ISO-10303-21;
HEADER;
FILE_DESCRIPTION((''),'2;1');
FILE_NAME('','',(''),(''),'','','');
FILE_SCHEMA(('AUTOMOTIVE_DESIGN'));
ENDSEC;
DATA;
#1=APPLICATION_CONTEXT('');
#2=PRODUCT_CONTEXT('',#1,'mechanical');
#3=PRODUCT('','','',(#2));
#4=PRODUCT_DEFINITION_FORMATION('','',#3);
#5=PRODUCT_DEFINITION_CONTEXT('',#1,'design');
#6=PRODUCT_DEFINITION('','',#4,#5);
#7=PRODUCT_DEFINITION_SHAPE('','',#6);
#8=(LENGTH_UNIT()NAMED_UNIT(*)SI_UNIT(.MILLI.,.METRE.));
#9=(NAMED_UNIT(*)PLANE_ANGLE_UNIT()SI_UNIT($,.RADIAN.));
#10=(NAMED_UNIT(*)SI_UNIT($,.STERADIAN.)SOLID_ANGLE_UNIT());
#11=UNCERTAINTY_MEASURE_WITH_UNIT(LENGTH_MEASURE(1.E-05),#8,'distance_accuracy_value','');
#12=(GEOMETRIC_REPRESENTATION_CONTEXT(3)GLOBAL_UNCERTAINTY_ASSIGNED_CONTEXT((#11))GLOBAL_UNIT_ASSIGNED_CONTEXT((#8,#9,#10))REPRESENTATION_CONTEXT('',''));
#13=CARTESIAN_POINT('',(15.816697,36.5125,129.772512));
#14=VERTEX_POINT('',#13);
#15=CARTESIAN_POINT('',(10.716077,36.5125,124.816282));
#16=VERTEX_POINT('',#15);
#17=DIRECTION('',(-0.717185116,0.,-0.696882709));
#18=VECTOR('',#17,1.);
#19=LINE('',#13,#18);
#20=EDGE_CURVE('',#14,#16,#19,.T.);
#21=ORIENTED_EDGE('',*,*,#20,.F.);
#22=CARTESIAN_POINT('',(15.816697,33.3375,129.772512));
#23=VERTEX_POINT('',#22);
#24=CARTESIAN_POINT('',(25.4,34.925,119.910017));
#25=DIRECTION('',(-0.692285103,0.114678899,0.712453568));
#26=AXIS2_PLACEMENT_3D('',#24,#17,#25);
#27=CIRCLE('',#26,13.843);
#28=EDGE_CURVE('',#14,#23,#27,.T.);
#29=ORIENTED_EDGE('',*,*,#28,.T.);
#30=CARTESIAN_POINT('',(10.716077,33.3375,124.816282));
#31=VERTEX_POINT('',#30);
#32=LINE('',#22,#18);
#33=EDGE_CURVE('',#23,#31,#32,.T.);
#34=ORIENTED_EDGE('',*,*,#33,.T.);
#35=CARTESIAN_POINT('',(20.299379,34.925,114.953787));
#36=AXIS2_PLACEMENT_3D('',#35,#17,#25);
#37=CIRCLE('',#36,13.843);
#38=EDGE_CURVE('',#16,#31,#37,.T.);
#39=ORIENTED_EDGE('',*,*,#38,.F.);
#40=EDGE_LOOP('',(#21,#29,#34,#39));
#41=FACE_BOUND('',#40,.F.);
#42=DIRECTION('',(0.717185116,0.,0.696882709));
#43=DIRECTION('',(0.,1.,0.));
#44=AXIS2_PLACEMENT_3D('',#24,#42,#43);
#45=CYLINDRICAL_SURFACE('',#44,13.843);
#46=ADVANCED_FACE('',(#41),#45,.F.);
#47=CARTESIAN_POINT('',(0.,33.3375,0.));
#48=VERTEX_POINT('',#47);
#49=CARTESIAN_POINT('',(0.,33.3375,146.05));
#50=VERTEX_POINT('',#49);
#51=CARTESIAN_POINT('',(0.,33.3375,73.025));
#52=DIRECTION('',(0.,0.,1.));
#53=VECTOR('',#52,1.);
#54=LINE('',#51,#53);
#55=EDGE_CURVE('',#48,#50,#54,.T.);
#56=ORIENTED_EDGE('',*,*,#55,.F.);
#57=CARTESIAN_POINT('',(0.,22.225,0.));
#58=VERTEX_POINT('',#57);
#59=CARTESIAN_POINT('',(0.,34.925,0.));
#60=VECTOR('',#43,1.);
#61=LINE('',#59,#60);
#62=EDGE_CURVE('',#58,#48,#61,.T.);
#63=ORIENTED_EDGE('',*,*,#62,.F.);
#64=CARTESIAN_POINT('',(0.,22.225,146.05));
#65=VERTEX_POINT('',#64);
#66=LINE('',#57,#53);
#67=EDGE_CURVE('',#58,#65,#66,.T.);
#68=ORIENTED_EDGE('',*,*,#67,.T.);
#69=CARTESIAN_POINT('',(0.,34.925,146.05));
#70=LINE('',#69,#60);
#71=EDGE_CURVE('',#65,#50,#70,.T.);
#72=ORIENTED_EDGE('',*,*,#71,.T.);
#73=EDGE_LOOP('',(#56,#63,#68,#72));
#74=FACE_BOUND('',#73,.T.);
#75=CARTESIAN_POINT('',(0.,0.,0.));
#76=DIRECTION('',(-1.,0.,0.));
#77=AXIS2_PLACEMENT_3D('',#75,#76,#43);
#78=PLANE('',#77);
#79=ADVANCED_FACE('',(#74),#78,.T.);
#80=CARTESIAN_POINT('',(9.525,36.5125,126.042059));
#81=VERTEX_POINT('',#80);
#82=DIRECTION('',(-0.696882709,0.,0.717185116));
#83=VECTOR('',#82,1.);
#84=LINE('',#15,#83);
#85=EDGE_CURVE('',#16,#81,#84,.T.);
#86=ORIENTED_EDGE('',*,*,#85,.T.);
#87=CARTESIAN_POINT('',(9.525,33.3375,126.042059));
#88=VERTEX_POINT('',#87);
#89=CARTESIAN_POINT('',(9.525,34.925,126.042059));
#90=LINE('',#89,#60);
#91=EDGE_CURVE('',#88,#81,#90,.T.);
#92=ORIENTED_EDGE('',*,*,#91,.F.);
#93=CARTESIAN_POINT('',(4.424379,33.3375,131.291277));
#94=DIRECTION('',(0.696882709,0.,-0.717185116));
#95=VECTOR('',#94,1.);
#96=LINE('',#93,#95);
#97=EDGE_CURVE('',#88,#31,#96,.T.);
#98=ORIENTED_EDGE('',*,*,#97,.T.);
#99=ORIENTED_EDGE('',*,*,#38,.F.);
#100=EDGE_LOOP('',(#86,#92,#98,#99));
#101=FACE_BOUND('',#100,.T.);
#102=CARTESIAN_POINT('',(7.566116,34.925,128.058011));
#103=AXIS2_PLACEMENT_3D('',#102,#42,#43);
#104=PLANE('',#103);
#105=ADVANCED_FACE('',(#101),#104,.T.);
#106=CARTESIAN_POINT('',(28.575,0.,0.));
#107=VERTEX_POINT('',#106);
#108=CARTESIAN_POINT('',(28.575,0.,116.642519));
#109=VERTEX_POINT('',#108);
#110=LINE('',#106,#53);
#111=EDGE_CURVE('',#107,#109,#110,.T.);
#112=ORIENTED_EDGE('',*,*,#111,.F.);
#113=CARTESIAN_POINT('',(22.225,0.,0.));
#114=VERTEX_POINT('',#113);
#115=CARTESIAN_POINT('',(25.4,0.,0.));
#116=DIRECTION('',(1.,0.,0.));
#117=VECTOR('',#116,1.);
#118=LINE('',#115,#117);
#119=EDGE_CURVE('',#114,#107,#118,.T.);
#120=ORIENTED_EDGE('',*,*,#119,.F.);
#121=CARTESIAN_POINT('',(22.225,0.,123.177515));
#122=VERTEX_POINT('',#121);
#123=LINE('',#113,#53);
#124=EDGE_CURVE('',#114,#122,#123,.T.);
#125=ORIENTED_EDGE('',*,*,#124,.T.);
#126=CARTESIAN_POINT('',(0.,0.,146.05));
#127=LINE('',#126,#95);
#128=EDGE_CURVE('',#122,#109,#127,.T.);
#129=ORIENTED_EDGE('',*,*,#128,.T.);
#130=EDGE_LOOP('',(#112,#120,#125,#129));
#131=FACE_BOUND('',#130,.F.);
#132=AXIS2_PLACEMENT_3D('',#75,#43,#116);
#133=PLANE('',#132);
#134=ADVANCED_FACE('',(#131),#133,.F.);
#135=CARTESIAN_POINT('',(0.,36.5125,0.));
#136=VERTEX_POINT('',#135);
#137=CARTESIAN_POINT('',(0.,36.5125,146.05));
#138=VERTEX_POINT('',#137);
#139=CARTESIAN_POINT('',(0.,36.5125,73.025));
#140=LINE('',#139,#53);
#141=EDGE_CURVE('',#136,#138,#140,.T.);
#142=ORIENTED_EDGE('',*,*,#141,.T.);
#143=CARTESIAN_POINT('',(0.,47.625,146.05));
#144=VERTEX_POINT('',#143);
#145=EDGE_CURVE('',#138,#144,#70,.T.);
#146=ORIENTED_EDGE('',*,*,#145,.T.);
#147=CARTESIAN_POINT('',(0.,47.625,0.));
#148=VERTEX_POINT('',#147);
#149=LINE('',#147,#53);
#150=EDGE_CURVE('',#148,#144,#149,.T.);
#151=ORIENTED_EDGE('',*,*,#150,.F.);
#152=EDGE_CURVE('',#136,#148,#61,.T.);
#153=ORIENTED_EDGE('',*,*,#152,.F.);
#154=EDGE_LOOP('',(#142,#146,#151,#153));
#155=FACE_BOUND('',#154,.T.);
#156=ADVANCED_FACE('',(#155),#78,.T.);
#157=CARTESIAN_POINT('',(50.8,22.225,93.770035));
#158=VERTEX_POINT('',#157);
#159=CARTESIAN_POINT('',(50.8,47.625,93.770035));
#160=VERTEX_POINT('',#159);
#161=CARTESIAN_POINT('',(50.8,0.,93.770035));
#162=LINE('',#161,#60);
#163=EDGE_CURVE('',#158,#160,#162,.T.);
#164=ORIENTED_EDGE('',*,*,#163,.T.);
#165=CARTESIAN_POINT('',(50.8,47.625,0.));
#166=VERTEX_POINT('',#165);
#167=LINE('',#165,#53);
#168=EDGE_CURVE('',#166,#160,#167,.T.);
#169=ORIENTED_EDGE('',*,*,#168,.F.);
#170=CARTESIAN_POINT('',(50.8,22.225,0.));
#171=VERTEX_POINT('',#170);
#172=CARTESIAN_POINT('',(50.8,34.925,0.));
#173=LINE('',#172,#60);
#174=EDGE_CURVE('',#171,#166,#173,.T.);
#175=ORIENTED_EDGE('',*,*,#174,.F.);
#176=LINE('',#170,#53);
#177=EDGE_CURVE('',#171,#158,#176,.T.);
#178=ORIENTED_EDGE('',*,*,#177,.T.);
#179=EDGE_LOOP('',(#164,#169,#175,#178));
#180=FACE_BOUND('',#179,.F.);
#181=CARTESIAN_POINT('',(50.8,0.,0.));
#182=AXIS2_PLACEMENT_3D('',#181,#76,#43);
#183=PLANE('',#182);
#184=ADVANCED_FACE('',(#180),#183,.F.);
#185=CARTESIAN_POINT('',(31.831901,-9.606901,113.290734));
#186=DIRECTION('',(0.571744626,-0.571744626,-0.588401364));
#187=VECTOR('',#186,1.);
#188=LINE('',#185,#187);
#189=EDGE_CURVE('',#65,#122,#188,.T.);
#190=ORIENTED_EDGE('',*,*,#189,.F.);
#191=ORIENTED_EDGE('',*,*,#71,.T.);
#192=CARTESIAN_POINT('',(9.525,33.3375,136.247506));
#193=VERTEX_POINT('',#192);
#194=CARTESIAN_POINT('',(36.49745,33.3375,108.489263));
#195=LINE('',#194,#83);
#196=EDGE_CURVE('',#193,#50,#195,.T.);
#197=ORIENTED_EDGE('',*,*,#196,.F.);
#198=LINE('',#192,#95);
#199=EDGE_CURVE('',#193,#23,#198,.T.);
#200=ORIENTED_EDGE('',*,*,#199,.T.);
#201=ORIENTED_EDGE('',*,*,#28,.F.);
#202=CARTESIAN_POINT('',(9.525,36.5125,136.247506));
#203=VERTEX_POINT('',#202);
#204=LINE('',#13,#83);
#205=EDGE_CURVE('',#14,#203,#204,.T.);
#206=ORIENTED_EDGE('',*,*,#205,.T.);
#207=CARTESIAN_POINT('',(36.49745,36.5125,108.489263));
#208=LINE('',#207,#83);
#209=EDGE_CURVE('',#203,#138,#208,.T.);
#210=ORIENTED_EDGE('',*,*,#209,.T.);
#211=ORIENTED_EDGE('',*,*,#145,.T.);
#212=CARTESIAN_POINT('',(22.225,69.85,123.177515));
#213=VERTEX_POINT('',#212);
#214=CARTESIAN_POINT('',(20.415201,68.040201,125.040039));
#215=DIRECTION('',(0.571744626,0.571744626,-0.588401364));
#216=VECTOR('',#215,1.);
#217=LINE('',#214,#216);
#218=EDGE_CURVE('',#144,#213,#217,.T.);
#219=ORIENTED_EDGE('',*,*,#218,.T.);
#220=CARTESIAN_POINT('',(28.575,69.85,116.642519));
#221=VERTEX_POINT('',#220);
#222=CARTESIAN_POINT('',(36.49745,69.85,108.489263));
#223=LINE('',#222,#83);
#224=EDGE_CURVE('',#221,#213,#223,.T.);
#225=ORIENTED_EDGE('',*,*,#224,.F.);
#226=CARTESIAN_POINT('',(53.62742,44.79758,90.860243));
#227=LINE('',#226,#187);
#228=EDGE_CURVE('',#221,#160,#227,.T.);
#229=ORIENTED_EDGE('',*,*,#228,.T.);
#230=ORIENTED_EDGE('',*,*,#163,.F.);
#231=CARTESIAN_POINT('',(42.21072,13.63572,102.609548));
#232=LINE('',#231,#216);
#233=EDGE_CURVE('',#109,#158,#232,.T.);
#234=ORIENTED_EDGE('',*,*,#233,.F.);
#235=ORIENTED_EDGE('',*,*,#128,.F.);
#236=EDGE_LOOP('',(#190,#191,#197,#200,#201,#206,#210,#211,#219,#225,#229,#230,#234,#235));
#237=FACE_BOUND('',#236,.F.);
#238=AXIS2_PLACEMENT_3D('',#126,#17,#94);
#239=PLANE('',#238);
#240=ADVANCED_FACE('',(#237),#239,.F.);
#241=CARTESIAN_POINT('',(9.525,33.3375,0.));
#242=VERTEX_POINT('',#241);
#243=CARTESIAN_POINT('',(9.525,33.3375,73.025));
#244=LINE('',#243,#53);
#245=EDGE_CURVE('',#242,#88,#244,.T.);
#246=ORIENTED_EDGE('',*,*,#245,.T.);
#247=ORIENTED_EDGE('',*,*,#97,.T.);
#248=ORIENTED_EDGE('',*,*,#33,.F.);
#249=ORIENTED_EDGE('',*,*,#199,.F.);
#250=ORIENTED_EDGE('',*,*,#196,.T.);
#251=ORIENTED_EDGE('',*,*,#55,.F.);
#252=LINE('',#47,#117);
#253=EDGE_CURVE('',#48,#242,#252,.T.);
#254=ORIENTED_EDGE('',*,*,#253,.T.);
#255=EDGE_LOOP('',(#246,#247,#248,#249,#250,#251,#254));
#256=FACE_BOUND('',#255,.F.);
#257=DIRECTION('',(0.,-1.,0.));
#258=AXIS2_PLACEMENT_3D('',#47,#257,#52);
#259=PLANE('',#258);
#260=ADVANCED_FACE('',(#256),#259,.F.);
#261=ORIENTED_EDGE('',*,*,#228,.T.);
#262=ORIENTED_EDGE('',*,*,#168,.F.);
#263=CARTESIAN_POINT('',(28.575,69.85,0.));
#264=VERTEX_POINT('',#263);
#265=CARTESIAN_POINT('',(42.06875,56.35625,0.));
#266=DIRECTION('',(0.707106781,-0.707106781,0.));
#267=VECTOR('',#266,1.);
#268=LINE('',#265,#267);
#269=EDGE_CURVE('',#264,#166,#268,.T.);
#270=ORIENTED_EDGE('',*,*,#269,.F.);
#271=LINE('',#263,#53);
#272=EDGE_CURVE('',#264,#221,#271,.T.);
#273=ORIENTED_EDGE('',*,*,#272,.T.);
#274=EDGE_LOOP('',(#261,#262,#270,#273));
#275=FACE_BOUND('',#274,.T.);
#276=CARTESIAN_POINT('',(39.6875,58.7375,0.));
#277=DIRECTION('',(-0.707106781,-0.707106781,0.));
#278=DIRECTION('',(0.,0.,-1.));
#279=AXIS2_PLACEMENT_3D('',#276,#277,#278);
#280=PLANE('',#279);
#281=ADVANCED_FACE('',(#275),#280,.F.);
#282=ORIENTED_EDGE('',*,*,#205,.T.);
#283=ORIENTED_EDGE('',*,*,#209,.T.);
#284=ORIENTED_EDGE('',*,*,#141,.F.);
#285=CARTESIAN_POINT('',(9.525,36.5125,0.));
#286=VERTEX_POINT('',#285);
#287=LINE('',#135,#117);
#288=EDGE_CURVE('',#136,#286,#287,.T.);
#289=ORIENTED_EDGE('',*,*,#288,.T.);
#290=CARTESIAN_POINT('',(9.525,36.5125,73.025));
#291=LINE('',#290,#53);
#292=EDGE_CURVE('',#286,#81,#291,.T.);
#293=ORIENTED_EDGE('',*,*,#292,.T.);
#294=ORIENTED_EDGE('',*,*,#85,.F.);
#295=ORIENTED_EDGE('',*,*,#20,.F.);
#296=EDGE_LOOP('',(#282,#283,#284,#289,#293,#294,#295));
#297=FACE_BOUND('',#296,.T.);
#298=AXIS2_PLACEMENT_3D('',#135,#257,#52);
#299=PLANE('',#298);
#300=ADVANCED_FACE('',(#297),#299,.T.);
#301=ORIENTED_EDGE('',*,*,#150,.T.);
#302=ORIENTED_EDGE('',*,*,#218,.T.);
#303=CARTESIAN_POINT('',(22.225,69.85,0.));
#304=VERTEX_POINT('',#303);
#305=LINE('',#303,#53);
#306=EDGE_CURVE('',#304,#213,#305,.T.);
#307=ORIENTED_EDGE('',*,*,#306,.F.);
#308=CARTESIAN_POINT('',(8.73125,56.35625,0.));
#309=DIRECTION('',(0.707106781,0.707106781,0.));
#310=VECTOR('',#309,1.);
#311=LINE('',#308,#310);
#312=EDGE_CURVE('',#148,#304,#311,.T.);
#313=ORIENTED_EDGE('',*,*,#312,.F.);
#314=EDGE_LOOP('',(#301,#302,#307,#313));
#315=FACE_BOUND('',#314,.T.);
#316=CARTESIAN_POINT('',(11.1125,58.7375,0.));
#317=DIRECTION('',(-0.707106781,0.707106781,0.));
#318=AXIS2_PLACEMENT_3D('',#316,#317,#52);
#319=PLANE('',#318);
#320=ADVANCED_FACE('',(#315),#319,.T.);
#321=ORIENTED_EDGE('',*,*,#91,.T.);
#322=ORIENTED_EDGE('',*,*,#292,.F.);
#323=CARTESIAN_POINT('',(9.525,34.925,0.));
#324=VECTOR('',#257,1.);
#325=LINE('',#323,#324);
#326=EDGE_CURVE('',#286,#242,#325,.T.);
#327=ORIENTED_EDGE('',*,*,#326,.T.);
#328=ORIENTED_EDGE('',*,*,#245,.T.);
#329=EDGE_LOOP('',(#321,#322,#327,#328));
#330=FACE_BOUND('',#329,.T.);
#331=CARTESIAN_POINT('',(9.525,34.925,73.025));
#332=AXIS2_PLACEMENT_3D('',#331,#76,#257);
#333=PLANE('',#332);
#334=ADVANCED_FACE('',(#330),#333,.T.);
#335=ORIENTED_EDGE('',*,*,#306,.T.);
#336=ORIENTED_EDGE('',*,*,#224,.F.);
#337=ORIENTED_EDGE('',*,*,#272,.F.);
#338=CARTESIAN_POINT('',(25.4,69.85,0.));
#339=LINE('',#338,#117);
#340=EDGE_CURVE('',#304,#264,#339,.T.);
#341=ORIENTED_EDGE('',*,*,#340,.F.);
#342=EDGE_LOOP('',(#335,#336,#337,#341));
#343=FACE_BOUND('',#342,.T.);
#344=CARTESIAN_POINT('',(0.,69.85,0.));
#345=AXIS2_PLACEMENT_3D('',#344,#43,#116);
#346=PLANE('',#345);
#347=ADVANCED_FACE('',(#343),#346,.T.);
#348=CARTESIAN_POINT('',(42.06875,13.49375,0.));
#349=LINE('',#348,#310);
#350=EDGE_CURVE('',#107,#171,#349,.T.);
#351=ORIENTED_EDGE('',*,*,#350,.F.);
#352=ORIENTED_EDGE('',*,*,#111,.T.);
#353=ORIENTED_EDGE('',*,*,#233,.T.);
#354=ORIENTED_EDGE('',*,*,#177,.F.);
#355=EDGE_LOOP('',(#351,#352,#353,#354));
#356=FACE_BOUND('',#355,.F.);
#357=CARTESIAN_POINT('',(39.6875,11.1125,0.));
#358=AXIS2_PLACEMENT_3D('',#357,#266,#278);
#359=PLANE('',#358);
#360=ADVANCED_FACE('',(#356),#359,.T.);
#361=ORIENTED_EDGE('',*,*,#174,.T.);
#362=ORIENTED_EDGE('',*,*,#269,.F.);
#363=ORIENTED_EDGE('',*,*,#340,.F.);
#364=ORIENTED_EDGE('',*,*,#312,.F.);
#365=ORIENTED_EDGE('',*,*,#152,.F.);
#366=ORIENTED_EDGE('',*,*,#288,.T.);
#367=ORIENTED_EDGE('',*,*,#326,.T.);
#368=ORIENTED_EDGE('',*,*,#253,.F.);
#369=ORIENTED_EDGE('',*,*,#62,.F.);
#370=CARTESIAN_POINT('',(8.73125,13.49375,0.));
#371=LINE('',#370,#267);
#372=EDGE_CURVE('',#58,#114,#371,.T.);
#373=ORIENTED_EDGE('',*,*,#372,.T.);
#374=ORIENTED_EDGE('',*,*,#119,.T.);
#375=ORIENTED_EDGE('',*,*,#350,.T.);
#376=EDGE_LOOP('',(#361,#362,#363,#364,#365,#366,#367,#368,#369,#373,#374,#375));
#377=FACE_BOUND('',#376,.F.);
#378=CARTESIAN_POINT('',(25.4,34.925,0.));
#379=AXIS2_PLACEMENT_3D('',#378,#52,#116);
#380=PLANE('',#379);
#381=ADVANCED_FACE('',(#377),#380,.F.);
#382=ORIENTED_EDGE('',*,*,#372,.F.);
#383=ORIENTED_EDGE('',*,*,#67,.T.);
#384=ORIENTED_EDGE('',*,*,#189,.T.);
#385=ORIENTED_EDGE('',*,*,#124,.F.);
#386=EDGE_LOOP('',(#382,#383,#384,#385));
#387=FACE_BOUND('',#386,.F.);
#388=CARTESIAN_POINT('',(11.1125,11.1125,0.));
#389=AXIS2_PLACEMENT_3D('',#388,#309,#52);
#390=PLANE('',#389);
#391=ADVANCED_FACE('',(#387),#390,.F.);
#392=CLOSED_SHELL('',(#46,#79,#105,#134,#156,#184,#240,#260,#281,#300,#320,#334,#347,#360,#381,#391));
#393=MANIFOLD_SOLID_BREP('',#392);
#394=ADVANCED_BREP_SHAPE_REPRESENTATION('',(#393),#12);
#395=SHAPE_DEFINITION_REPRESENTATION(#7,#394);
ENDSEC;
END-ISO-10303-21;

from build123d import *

# Parameters (mm, degrees)
F0_W      = 50.8
F0_H      = 69.85
F1_DEPTH  = 146.05
F3_DEPTH  = 69.851
F4_R      = 13.843
F5_DEPTH  = 7.112
F6_SIZE   = 22.225
F7_W      = 3.175
F7_H      = 146.05
F8_DEPTH  = 9.525
F10_DEPTH = 7.112


with BuildPart() as f1:
    # F0 (on Top) → F1 (new body)
    with BuildSketch(Plane.XY):
        with Locations((25.4, 34.925)):
            Rectangle(F0_W, F0_H)
    extrude(amount=F1_DEPTH)

    # F2 (on face) → F3 (cut, through all)
    with BuildSketch(Plane.XZ):
        Polygon((50.8, 146.05), (0, 146.05), (50.8, 93.7700346112), align=None)
    extrude(amount=-F3_DEPTH, mode=Mode.SUBTRACT)

    # F4 (on face) → F5 (cut)
    with BuildSketch(Plane(origin=(72.9948999902, 0, 70.9285266723), x_dir=(0, 1, 0), z_dir=(0.7171851159, 0, 0.6968827086))):
        with Locations((34.925, 68.2968588571)):
            Circle(F4_R)
    extrude(amount=-F5_DEPTH, mode=Mode.SUBTRACT)

    # F6
    f6_edges = [f1.edges().sort_by_distance(p)[0] for p in [
        (50.8, 0, 46.885017),
        (50.8, 69.85, 46.885017),
        (0, 69.85, 73.025),
        (0, 0, 73.025),
    ]]
    chamfer(f6_edges, length=F6_SIZE)

    # F7 (on face) → F8 (cut)
    with BuildSketch(Plane(origin=(0, 0, 0), x_dir=(0, -1, 0), z_dir=(-1, 0, 0))):
        with Locations((-34.925, 73.025)):
            Rectangle(F7_W, F7_H)
    extrude(amount=-F8_DEPTH, mode=Mode.SUBTRACT)

    # F9 (on face) → F10 (cut)
    with BuildSketch(Plane(origin=(72.9948999902, 0, 70.9285266723), x_dir=(0, 1, 0), z_dir=(0.7171851159, 0, 0.6968827086))):
        with BuildLine():
            Line((36.5125, 91.0768759299), (33.3375, 91.0768759299))
            Line((33.3375, 91.0768759299), (33.3375, 82.048531219))
            ThreePointArc((33.3375, 82.048531219), (34.925, 82.1398588571), (36.5125, 82.048531219))
            Line((36.5125, 82.048531219), (36.5125, 91.0768759299))
        make_face()
    extrude(amount=-F10_DEPTH, mode=Mode.SUBTRACT)


solid = f1.part
